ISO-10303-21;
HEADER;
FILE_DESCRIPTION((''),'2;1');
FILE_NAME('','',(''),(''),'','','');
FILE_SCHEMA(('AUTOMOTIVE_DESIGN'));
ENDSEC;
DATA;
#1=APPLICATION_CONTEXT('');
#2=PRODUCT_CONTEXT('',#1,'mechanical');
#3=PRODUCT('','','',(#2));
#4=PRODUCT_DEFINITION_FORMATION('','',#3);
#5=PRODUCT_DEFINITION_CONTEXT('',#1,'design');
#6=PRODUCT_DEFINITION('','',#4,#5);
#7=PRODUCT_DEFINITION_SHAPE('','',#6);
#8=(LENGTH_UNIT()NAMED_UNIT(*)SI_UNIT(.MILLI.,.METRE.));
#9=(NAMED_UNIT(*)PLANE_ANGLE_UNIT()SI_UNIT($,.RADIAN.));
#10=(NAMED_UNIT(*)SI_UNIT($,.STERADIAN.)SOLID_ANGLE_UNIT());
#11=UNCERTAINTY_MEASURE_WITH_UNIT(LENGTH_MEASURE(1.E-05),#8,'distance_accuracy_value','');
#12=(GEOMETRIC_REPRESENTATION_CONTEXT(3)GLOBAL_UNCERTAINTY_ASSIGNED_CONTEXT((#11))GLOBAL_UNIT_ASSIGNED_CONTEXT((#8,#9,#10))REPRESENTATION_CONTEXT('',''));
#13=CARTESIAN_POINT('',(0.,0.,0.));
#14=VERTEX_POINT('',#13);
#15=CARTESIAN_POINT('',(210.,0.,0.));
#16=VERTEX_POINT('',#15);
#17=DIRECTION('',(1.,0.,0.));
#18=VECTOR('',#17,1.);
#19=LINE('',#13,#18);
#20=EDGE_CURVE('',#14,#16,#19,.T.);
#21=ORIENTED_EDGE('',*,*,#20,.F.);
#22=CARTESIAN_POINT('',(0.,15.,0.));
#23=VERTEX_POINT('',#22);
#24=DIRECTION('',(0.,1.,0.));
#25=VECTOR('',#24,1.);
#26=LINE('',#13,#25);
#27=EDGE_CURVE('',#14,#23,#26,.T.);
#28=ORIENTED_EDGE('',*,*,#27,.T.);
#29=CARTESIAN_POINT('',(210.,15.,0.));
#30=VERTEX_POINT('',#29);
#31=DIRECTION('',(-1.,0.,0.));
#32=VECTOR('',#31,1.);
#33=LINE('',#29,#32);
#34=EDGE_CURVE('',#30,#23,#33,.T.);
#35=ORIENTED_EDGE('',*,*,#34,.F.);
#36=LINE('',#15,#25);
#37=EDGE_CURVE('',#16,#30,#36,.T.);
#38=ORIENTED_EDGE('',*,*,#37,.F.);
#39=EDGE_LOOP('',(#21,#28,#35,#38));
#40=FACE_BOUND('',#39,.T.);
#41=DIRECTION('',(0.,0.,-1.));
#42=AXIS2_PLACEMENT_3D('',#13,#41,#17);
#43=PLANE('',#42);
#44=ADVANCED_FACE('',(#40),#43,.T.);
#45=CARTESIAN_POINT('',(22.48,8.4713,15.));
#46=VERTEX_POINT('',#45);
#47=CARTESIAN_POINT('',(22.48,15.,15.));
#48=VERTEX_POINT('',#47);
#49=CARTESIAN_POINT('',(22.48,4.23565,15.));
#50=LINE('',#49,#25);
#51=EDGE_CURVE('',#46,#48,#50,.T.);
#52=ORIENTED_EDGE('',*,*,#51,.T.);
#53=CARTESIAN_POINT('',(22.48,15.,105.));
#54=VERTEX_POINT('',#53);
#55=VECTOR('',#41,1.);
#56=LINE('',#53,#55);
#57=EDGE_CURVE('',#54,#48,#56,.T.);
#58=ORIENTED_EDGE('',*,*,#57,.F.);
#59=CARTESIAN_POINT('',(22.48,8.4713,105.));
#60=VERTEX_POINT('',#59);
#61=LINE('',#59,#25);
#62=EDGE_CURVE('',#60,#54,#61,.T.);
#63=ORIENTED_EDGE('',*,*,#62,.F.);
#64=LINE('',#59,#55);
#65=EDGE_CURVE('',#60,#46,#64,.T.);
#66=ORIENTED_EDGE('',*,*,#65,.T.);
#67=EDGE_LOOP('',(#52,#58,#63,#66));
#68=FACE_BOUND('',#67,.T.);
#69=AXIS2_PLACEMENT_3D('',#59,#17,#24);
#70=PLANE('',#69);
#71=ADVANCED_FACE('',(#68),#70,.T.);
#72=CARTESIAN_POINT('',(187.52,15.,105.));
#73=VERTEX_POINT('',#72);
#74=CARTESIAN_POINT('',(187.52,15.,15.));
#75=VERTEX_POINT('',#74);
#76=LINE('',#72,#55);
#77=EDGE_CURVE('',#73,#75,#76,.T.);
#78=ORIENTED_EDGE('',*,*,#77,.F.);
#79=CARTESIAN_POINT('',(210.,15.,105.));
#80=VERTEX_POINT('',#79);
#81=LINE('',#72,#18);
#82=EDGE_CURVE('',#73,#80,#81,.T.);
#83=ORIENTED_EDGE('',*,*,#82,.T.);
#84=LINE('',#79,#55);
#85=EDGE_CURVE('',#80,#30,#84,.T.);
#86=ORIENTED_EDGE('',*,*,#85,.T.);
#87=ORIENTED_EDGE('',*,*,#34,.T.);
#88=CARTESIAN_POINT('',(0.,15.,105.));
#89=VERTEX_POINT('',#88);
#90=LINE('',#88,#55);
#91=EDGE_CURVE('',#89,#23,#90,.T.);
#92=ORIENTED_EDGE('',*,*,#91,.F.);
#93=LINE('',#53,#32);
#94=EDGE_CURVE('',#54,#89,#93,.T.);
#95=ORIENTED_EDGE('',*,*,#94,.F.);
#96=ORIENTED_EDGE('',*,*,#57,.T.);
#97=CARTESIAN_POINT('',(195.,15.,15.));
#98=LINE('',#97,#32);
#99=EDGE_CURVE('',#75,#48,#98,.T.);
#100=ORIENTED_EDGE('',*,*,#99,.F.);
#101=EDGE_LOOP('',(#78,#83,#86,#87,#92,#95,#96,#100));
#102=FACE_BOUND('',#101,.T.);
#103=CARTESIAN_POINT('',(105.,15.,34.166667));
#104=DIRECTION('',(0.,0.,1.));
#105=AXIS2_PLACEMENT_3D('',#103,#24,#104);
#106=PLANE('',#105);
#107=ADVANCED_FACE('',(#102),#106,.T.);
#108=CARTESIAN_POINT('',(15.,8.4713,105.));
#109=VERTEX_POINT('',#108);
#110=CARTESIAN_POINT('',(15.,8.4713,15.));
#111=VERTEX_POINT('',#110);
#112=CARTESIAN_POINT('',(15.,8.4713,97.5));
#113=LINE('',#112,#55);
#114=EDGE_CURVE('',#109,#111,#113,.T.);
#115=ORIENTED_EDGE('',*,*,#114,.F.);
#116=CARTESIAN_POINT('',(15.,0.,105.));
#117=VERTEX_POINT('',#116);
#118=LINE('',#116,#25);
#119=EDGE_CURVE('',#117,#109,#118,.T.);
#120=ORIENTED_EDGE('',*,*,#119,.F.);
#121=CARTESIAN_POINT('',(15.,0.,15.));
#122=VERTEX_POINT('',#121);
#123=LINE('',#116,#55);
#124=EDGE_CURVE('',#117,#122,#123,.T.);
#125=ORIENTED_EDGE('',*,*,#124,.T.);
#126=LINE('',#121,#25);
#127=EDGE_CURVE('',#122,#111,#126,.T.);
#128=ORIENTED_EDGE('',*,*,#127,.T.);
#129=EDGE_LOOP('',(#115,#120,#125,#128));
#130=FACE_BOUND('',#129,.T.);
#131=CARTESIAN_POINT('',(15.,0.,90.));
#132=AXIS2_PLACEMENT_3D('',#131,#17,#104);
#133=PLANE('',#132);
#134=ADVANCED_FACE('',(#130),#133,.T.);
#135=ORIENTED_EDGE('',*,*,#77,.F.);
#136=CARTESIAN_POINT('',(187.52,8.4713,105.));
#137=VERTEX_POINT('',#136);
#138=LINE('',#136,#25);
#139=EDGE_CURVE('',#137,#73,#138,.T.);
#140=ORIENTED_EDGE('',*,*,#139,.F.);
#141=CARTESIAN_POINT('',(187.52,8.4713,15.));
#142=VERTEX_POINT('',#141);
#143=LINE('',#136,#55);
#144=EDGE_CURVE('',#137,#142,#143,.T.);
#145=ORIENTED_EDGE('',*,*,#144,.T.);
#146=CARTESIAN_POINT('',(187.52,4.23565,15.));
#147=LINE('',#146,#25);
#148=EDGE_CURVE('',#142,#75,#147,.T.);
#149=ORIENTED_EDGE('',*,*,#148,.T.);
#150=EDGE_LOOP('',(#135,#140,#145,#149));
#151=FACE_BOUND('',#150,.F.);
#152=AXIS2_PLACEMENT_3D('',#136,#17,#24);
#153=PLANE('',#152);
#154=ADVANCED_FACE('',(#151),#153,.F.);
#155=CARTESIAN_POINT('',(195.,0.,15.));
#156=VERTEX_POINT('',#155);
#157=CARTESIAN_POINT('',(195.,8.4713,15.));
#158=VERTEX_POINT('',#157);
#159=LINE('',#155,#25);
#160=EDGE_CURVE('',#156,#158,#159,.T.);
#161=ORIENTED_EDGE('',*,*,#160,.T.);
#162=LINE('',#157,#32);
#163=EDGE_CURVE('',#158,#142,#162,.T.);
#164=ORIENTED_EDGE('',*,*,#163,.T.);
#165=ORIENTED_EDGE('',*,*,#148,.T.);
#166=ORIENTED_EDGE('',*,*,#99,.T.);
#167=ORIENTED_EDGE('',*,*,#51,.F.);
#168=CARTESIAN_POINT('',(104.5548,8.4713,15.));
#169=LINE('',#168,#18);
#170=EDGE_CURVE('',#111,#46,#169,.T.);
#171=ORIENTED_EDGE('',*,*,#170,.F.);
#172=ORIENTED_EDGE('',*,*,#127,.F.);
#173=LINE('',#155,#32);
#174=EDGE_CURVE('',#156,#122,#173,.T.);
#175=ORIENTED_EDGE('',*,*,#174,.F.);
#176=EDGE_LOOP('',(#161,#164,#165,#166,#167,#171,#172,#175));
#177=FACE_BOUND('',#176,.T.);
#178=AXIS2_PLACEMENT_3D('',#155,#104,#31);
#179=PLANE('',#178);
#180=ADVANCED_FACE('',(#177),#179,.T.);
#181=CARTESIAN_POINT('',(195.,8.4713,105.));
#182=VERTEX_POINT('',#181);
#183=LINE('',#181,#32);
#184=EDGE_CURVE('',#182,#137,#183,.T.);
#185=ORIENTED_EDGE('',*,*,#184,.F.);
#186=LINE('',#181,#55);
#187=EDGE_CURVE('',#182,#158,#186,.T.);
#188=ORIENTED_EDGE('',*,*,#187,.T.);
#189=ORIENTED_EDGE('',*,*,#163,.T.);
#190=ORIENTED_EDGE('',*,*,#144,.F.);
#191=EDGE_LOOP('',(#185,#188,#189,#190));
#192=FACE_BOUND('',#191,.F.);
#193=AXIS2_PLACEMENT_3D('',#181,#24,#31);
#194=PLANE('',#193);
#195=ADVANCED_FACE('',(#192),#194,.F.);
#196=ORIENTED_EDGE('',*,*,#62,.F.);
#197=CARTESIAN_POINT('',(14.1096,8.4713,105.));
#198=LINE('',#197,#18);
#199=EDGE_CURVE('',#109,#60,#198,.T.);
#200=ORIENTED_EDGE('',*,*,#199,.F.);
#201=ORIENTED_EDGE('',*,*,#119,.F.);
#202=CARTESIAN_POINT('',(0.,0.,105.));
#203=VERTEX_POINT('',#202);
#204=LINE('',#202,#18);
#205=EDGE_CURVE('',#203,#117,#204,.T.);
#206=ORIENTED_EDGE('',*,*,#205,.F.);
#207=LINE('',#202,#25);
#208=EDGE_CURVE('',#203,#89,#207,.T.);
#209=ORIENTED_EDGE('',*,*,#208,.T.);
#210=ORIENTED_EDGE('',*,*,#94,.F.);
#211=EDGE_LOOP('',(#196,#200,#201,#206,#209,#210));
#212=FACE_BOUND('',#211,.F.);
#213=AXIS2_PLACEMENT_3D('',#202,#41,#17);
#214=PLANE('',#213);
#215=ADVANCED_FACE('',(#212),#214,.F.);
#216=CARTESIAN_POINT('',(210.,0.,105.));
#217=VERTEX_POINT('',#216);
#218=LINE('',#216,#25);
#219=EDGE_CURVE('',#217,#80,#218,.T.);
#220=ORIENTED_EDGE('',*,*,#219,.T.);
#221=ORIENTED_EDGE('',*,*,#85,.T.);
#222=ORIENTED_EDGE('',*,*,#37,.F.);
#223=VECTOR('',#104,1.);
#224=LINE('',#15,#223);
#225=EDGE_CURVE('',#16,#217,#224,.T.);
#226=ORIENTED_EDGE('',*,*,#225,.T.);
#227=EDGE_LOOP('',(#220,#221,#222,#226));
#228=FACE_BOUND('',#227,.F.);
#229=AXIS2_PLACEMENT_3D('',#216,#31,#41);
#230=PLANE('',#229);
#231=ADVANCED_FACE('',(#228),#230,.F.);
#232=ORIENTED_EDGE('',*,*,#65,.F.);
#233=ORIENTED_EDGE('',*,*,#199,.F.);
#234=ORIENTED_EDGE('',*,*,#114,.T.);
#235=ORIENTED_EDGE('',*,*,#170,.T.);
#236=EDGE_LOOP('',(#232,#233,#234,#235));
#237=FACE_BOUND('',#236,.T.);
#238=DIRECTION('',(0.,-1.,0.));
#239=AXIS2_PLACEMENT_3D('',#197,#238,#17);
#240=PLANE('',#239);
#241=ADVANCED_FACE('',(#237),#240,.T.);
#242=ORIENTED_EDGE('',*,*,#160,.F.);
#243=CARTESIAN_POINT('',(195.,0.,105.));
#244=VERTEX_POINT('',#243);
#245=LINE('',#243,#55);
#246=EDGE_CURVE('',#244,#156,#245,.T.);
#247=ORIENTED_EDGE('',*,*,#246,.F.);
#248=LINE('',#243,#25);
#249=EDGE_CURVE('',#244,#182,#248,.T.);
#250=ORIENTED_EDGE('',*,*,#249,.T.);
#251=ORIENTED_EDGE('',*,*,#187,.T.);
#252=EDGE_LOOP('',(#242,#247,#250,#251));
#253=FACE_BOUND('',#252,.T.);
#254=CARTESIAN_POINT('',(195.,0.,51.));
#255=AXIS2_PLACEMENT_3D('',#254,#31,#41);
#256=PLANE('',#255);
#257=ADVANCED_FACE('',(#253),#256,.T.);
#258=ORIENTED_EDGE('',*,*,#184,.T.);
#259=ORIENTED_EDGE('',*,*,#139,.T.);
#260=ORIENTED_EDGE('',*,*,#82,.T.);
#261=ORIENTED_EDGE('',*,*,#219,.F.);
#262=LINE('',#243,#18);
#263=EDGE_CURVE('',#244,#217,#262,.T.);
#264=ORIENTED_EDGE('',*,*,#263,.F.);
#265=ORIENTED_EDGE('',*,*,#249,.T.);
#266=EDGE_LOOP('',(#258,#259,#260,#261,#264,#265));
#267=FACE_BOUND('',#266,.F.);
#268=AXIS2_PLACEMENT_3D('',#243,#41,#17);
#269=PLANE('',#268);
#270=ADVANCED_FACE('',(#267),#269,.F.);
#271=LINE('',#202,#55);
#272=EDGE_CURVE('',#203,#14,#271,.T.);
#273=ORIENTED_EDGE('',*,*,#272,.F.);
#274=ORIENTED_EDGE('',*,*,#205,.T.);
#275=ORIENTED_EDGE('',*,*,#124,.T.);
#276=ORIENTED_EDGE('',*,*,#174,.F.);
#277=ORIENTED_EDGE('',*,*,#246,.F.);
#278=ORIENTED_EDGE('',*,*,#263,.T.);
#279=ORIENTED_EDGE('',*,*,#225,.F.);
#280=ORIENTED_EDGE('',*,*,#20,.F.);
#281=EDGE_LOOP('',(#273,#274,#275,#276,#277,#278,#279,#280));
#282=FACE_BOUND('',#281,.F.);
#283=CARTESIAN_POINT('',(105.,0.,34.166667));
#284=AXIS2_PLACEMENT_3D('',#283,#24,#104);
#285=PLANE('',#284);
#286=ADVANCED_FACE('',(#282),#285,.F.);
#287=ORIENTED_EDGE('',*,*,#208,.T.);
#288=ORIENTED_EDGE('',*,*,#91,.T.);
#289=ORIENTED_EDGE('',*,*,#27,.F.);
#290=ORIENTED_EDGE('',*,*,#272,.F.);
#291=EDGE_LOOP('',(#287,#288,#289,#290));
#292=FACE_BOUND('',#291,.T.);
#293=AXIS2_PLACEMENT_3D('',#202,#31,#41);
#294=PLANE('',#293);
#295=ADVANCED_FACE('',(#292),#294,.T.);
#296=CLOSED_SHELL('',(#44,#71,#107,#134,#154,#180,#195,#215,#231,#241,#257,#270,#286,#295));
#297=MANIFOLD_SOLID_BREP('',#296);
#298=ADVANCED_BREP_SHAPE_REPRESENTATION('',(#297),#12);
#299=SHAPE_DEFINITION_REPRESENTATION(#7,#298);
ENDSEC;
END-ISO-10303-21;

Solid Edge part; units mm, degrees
sketch "Sketch1" plane through (0, 0, 0) normal (0, -1, 0) x (1, 0, 0)
  line L0 (0, 105) -> (15, 105)
  line L1 (15, 90) -> (15, 105)
  line L2 (15, 15) -> (15, 90)
  line L3 (195, 15) -> (15, 15)
  line L4 (195, 51) -> (195, 15)
  line L5 (195, 90) -> (195, 51)
  line L6 (195, 90) -> (195, 105)
  line L7 (195, 105) -> (210, 105)
  line L8 (210, 105) -> (210, 51)
  line L9 (210, 0) -> (210, 51)
  line L10 (0, 0) -> (210, 0)
  line L11 (0, 105) -> (0, 0)
extrude "Protrusion1" add sketch "Sketch1" against normal blind 15
sketch "Sketch2" plane through (202.5, 7.5, 105) normal (0, 0, 1) x (0, -1, 0)
  line L0 (-7.5, -14.98) -> (-7.5, -7.5)
  line L1 (-7.5, -7.5) -> (-0.9713, -7.5)
  line L2 (-0.9713, -7.5) -> (-0.9713, -14.98)
  line L3 (-0.9713, -14.98) -> (-7.5, -14.98)
extrude "ExtrudedProtrusion_9" add sketch "Sketch2" against normal blind 94.0808
sketch "Sketch3" plane through (202.5, 7.5, 105) normal (0, 0, 1) x (0, -1, 0)
  line L0 (-7.5, -180.02) -> (-7.5, -188.3904)
  line L1 (-7.5, -188.3904) -> (-0.9713, -188.3904)
  line L2 (-0.9713, -188.3904) -> (-0.9713, -180.02)
  line L3 (-0.9713, -180.02) -> (-7.5, -180.02)
extrude "Protrusion2" add sketch "Sketch3" against normal up to vertex (105 mm away)
